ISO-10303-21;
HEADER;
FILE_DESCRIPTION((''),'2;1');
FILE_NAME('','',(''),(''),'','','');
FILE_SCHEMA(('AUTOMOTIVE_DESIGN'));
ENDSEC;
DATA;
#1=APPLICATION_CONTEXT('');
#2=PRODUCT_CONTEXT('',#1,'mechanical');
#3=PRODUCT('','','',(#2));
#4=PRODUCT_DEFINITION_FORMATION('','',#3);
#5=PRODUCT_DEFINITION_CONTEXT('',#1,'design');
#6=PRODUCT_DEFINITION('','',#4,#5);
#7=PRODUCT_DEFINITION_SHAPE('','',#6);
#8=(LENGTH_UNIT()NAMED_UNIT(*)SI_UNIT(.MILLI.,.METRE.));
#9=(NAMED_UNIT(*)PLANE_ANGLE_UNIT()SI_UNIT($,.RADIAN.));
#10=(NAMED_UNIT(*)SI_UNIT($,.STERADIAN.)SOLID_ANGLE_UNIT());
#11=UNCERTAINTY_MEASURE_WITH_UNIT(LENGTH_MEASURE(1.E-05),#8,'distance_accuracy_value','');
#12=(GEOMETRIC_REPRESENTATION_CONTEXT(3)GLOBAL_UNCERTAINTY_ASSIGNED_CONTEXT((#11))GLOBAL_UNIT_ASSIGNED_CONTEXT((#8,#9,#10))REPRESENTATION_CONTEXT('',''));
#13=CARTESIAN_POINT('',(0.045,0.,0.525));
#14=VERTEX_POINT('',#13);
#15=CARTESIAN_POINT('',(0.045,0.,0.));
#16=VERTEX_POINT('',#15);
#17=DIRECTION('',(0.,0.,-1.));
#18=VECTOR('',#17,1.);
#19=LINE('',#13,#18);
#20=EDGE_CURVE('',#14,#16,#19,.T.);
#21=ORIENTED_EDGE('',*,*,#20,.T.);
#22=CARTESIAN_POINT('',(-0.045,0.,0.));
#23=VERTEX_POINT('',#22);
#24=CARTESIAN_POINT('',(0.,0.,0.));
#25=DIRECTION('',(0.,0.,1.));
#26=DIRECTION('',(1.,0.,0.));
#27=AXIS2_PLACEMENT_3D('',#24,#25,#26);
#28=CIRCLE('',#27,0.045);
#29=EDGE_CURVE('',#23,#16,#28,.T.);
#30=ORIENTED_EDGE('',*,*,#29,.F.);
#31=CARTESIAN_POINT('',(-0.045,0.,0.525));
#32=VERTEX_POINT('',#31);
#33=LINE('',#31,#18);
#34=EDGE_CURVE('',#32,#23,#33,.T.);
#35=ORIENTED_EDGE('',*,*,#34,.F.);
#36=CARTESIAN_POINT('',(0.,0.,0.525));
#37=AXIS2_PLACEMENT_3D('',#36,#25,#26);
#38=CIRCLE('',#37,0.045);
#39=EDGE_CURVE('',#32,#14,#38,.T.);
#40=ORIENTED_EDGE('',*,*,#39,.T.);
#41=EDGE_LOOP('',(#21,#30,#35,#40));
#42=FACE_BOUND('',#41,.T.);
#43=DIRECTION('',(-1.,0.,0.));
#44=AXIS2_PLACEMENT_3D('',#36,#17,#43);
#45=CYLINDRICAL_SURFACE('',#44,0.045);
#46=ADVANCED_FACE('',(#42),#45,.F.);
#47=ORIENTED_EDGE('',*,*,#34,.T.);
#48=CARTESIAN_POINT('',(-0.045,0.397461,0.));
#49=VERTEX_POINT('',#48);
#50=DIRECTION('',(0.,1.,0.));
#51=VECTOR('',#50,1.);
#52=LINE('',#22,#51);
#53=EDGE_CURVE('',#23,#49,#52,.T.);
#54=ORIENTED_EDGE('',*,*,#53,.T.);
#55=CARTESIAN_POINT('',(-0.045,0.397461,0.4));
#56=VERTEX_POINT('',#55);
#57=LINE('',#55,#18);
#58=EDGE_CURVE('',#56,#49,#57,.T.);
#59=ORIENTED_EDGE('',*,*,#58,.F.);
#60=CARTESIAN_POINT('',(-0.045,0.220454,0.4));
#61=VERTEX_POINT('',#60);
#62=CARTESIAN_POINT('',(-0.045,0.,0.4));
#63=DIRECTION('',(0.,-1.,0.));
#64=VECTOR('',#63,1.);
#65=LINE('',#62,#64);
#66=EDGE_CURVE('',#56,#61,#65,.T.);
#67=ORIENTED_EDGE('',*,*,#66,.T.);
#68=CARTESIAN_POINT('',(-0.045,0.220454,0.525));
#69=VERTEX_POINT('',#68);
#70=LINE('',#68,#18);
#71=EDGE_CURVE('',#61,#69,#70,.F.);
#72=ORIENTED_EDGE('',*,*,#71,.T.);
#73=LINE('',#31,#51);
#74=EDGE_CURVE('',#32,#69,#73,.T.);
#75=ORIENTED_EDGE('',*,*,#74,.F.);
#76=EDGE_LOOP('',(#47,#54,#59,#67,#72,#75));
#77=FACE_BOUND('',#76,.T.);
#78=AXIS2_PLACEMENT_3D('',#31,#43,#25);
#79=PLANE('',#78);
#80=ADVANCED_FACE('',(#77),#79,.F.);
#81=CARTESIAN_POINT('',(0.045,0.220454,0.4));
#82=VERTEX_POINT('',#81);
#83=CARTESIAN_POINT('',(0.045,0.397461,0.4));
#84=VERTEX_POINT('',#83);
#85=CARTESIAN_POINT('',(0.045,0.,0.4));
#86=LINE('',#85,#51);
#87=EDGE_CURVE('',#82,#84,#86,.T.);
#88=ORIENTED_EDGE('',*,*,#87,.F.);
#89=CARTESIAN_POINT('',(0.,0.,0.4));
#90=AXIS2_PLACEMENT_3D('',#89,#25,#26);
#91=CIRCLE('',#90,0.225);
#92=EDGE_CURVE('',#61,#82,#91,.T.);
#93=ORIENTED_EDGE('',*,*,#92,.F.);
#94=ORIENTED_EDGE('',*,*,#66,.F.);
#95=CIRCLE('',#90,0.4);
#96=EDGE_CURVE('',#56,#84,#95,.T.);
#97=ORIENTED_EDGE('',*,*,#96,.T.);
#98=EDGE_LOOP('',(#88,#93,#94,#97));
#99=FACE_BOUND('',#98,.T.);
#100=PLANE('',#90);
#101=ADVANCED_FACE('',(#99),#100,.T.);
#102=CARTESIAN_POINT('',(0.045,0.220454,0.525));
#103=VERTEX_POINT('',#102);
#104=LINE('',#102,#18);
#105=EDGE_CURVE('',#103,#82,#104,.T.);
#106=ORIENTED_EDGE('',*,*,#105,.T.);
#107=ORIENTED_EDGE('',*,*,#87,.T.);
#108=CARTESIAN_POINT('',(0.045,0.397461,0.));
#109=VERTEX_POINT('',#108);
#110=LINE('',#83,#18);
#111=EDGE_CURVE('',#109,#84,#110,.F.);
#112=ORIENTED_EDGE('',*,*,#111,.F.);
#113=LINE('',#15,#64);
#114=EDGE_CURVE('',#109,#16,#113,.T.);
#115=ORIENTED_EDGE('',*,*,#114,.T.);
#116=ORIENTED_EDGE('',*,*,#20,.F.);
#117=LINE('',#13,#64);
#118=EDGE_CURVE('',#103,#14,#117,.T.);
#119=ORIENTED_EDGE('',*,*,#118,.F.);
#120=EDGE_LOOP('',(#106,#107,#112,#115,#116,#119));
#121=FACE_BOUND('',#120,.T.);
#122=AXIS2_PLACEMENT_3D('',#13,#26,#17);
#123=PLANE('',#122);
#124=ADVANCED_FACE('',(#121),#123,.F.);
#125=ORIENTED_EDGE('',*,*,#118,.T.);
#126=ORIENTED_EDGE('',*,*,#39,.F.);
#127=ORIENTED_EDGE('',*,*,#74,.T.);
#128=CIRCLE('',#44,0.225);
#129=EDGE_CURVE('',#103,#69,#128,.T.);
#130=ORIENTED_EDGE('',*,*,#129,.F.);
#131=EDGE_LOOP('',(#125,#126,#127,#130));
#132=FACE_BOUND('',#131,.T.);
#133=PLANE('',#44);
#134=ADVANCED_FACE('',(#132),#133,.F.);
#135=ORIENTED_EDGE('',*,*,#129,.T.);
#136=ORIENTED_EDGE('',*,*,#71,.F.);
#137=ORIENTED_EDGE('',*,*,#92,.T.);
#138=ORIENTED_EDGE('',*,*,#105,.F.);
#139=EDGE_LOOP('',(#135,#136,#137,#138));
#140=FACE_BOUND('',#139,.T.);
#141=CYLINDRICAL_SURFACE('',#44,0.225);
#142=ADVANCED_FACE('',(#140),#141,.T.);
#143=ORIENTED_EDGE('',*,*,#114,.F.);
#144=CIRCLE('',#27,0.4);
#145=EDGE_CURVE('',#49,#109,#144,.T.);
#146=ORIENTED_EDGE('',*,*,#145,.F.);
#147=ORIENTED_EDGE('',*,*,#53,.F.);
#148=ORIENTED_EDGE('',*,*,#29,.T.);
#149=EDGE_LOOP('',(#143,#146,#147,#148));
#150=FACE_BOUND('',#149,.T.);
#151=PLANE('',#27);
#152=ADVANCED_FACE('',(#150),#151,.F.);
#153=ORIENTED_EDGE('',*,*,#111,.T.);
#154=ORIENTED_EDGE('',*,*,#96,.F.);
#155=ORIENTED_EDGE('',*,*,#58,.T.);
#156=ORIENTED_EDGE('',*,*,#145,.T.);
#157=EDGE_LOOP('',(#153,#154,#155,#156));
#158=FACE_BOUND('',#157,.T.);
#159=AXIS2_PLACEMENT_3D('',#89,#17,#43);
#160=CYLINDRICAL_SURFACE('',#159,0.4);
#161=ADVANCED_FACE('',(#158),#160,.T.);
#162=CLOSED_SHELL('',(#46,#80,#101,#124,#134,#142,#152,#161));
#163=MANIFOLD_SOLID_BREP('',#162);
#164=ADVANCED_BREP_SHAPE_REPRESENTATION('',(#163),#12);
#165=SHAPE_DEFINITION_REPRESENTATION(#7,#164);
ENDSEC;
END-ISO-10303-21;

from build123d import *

# Parameters (mm, degrees)
SKETCH1_R           = 0.4
BOSS_EXTRUDE1_DEPTH = 0.4
SKETCH2_R           = 0.225
BOSS_EXTRUDE2_DEPTH = 0.525
SKETCH3_R           = 0.045
CUT_EXTRUDE1_DEPTH  = 1.771767452
SKETCH5_W           = 0.09
SKETCH5_H           = 0.5
CUT_EXTRUDE2_DEPTH  = 1.771767452


with BuildPart() as part:
    # Sketch1 → Boss-Extrude1 (new body)
    with BuildSketch(Plane.XY):
        Circle(SKETCH1_R)
    extrude(amount=BOSS_EXTRUDE1_DEPTH)

    # Sketch2 → Boss-Extrude2 (add)
    with BuildSketch(Plane(origin=(0, 0, 0), x_dir=(-1, 0, 0), z_dir=(0, 0, -1))):
        Circle(SKETCH2_R)
    extrude(amount=-BOSS_EXTRUDE2_DEPTH)

    # Sketch3 → Cut-Extrude1 (cut, through all)
    with BuildSketch(Plane.XY):
        Circle(SKETCH3_R)
    extrude(amount=CUT_EXTRUDE1_DEPTH, mode=Mode.SUBTRACT)

    # Sketch5 → Cut-Extrude2 (cut, through all)
    with BuildSketch(Plane(origin=(0, 0, 0), x_dir=(-1, 0, 0), z_dir=(0, 0, -1))):
        with Locations((0, 0.25)):
            Rectangle(SKETCH5_W, SKETCH5_H)
    extrude(amount=-CUT_EXTRUDE2_DEPTH, mode=Mode.SUBTRACT)


solid = part.part
